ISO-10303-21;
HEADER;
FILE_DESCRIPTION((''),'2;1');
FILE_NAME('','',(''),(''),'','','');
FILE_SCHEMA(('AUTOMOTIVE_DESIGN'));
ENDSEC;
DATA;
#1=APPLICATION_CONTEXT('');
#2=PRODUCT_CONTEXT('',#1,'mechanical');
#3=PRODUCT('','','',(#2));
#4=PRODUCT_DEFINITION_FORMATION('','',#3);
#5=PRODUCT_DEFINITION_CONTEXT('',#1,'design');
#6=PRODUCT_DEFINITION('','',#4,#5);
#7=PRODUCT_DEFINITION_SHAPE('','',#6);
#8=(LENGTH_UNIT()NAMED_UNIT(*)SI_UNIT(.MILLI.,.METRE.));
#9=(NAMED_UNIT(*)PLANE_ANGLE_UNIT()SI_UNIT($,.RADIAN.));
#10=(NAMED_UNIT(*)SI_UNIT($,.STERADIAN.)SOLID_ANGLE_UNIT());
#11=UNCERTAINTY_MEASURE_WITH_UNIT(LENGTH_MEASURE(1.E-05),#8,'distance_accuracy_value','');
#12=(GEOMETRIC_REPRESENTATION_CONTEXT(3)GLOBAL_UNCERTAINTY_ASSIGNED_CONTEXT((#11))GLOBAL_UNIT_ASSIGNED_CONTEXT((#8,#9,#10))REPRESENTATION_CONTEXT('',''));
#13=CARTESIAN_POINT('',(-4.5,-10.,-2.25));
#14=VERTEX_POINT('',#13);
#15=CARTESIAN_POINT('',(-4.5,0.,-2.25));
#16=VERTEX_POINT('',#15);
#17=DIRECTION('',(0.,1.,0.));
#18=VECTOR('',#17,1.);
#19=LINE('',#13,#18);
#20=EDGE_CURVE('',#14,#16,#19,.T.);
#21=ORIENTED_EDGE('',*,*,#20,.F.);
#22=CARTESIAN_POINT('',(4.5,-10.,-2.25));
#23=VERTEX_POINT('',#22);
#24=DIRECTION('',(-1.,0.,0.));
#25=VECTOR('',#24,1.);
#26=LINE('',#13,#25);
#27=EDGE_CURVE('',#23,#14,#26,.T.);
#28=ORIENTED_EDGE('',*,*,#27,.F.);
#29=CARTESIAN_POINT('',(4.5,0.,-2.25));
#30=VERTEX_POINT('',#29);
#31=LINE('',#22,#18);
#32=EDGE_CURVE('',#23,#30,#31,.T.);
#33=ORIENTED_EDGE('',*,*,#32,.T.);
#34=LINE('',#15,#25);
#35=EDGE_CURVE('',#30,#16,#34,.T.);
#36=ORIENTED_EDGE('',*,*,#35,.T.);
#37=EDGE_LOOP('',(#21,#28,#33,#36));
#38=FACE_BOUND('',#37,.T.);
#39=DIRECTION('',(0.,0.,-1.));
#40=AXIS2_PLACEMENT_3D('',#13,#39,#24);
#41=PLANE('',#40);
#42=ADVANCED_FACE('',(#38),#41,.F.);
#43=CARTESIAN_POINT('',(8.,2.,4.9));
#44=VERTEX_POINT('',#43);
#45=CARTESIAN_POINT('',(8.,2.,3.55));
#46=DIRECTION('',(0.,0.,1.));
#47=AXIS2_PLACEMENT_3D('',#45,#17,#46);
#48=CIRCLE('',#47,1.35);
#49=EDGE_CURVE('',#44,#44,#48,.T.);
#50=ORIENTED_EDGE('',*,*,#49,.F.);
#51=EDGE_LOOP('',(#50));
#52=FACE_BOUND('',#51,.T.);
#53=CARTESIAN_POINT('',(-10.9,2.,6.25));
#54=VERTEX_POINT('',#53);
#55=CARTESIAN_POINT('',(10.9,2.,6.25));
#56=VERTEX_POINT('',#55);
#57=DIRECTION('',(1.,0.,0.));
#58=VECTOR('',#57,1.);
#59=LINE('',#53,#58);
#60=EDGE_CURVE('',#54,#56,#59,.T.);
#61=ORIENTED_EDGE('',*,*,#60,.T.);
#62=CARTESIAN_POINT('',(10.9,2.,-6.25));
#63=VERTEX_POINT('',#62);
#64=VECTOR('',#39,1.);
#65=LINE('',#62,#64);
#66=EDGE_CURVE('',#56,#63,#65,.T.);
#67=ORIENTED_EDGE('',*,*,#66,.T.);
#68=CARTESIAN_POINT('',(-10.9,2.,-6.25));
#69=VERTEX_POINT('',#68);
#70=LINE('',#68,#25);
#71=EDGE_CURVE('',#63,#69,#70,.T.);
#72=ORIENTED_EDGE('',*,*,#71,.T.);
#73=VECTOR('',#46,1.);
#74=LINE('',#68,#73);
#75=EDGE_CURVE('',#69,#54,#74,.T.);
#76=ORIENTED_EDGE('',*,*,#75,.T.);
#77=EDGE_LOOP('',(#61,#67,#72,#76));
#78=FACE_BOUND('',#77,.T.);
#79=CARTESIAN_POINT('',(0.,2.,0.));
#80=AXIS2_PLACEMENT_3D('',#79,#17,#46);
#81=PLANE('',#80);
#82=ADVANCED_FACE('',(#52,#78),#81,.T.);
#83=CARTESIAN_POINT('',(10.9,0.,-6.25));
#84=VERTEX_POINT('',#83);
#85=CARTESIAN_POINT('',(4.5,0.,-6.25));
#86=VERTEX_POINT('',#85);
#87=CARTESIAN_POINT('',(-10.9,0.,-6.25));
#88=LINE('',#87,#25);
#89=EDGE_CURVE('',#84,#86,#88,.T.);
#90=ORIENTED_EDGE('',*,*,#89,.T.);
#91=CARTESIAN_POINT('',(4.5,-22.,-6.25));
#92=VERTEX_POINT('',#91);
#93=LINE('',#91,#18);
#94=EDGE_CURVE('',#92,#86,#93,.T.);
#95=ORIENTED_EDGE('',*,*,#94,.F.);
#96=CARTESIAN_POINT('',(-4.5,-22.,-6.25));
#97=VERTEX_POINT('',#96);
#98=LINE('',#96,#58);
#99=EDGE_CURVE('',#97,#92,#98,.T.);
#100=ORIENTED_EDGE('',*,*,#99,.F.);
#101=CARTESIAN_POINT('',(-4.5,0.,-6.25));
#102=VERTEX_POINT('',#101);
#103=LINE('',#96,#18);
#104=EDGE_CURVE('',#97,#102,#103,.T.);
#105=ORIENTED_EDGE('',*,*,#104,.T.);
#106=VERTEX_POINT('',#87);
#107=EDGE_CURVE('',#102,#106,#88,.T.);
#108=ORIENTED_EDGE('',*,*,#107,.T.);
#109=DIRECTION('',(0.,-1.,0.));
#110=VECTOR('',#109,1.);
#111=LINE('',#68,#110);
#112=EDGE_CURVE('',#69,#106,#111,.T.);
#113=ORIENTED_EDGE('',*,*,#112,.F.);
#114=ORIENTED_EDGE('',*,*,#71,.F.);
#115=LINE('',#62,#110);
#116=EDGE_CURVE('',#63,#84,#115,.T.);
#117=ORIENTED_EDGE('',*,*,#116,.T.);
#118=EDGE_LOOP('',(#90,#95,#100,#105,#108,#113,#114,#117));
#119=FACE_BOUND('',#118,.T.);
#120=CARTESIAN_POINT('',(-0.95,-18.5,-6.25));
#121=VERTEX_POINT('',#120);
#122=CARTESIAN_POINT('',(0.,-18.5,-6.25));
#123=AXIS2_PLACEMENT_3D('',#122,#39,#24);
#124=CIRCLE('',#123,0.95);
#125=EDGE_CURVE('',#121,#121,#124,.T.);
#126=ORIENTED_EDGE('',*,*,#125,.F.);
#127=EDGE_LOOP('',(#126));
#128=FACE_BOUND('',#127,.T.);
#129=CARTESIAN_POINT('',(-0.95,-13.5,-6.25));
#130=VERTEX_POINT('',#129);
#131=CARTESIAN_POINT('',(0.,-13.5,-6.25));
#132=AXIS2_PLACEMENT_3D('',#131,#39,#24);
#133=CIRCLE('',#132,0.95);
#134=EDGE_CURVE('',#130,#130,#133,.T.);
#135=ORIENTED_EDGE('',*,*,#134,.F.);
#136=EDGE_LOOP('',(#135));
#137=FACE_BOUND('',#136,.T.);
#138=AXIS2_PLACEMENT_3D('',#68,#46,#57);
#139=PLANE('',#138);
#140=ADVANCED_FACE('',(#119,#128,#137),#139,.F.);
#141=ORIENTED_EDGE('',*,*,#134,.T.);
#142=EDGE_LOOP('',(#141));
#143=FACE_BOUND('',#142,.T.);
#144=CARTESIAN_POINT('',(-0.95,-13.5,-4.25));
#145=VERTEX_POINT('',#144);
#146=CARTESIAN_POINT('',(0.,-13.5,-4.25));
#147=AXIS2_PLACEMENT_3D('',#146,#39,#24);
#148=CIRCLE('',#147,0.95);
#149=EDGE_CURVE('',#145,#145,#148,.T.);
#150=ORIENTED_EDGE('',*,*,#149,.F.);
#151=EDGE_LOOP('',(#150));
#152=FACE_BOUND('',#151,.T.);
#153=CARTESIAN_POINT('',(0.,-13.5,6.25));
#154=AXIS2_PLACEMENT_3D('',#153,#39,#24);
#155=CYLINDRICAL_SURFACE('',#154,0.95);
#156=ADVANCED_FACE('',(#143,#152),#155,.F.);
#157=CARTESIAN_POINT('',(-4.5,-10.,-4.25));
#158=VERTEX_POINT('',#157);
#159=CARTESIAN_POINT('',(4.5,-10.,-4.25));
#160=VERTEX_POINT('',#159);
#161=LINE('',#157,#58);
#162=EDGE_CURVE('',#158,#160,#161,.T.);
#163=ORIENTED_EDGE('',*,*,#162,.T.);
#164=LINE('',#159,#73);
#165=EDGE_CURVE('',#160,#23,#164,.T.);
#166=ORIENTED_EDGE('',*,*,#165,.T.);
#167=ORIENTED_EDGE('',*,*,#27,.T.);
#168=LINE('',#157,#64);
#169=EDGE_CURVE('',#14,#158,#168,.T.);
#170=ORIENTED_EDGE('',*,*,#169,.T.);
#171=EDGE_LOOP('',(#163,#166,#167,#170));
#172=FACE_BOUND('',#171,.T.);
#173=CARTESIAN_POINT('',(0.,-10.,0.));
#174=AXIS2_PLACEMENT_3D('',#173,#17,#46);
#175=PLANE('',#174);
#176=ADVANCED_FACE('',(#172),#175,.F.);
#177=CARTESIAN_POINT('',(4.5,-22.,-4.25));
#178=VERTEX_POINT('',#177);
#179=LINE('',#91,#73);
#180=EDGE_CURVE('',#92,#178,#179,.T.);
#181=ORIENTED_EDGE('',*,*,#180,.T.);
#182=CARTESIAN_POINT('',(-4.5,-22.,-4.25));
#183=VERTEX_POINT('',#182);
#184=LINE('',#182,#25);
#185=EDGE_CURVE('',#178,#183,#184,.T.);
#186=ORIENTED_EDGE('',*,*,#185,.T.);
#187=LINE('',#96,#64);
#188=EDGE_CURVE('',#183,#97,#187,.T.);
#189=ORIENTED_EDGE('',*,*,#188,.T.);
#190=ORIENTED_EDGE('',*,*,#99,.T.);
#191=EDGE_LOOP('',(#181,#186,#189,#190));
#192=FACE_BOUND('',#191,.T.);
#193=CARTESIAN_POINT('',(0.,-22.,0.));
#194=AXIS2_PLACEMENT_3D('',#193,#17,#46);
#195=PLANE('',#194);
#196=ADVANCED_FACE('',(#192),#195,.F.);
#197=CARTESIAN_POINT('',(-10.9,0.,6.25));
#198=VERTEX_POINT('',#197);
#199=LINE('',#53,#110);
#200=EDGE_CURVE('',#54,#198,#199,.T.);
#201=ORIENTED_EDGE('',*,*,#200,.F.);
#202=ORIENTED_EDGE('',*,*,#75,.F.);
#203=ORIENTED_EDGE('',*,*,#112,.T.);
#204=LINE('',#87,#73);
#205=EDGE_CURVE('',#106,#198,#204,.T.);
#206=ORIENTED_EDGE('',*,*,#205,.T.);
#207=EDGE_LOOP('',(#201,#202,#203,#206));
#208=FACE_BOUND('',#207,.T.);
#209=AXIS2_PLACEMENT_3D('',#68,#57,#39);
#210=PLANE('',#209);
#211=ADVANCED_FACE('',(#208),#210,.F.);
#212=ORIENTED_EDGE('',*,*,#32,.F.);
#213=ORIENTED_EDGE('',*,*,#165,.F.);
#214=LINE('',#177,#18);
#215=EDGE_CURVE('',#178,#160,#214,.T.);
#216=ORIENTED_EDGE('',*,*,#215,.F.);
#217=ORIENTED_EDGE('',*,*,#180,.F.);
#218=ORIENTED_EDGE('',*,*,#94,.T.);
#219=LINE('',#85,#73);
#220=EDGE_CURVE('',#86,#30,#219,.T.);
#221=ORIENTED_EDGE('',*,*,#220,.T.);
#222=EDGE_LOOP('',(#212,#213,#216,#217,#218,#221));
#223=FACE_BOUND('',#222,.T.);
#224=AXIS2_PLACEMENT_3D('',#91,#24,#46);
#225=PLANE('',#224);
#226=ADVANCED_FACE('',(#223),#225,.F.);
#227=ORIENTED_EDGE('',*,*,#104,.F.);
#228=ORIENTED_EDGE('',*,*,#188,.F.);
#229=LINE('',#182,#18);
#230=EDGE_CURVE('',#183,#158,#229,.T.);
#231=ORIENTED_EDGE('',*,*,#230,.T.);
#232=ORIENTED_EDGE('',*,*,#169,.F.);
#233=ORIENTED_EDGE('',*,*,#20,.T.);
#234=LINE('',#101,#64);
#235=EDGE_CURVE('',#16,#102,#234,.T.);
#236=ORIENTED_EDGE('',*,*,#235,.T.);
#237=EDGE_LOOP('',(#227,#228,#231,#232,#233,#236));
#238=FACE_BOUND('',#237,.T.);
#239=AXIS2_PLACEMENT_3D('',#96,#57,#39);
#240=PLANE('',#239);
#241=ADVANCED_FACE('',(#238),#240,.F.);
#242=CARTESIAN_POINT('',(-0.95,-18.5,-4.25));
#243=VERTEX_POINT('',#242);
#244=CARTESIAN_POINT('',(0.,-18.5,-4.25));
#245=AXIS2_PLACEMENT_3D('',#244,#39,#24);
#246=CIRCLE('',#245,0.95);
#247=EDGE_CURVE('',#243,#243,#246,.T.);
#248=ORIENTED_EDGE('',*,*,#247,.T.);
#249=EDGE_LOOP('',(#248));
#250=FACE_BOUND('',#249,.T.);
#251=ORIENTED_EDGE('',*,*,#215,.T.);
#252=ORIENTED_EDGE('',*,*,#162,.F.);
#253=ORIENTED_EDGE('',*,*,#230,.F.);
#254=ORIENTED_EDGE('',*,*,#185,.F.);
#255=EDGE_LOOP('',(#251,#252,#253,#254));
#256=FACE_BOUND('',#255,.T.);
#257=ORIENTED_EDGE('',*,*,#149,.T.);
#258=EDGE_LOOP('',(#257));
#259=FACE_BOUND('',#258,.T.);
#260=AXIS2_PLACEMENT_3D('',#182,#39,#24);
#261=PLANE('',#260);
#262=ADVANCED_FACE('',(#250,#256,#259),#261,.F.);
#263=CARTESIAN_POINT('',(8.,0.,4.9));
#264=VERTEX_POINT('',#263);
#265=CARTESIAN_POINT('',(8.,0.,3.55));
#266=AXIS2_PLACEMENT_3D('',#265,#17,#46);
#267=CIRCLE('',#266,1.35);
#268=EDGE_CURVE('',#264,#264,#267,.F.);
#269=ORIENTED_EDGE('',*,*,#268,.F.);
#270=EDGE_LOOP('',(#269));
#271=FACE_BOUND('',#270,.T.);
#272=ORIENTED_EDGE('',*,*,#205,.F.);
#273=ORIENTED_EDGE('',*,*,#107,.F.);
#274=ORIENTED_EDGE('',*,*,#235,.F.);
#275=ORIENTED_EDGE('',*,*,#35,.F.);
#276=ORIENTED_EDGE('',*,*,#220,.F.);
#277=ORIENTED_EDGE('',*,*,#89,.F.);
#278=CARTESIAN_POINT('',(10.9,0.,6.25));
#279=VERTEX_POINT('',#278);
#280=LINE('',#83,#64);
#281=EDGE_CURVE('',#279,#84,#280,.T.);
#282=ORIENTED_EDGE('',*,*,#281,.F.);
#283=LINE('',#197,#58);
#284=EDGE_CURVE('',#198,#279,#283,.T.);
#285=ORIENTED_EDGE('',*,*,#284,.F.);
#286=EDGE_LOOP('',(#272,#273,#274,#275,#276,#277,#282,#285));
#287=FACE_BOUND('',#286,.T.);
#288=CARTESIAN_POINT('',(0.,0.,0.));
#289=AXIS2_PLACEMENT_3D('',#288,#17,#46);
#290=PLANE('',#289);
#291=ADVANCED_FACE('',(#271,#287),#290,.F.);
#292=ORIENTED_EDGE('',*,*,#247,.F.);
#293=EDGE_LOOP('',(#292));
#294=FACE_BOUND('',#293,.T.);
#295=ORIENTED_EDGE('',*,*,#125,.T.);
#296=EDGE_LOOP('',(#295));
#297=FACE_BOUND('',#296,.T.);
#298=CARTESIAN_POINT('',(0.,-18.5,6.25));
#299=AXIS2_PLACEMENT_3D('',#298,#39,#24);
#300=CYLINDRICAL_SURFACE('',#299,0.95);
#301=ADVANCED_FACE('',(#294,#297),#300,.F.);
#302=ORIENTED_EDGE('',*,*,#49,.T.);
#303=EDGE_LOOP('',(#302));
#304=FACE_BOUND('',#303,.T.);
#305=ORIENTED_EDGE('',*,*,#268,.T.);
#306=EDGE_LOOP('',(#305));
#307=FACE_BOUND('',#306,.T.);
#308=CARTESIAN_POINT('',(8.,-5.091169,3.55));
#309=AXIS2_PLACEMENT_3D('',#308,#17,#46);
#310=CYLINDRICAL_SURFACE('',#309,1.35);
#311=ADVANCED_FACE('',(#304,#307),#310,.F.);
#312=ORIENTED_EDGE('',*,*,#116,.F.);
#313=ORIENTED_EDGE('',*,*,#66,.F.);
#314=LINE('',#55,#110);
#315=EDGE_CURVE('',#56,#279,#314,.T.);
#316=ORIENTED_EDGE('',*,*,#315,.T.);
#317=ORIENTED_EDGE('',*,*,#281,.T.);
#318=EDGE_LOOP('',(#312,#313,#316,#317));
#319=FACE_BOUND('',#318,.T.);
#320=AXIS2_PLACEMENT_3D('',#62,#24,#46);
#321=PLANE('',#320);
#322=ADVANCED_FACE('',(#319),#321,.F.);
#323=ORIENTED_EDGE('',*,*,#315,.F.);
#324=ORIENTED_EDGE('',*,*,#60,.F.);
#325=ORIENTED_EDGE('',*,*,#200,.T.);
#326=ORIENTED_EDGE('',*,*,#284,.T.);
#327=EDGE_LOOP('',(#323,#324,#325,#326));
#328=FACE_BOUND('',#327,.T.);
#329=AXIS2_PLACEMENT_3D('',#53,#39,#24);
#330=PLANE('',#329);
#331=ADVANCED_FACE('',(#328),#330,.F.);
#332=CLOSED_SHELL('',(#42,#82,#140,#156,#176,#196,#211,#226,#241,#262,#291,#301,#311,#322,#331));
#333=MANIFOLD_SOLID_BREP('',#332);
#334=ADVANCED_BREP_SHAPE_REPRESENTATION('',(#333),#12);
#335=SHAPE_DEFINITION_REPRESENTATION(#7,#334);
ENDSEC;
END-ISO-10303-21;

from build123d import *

# Parameters (mm, degrees)
SKETCH1_W           = 21.8
SKETCH1_H           = 12.5
BOSS_EXTRUDE1_DEPTH = 2
CUT_EXTRUDE1_REACH  = 4
SKETCH2_R           = 1.8
SKETCH3_W           = 9
SKETCH3_H           = 2
BOSS_EXTRUDE2_DEPTH = 22
SKETCH4_R           = 0.95
CUT_EXTRUDE2_DEPTH  = 13.5
SKETCH5_R           = 1.8
SKETCH5_R_2         = 1.35
BOSS_EXTRUDE3_DEPTH = 2
SKETCH6_W           = 9
SKETCH6_H           = 2
BOSS_EXTRUDE4_DEPTH = 10


with BuildPart() as part:
    # Sketch1 → Boss-Extrude1 (new body)
    with BuildSketch(Plane(origin=(0, 0, 0), x_dir=(1, 0, 0), z_dir=(0, 1, 0))):
        Rectangle(SKETCH1_W, SKETCH1_H)
    extrude(amount=BOSS_EXTRUDE1_DEPTH)

    # Sketch2 → Cut-Extrude1 (cut, up to next)
    with BuildSketch(Plane(origin=(0, 2, 0), x_dir=(1, 0, 0), z_dir=(0, 1, 0)), mode=Mode.PRIVATE) as cut_extrude1_sk1:
        with Locations((8, -3.55)):
            Circle(SKETCH2_R)
    cut_extrude1_tool1 = extrude(cut_extrude1_sk1.sketch, amount=-CUT_EXTRUDE1_REACH, mode=Mode.PRIVATE) & part.part
    add(cut_extrude1_tool1.solids().sort_by_distance((8, 2, 3.55))[0], mode=Mode.SUBTRACT)

    # Sketch3 → Boss-Extrude2 (add)
    with BuildSketch(Plane.XZ):
        with Locations((0, -5.25)):
            Rectangle(SKETCH3_W, SKETCH3_H)
    extrude(amount=BOSS_EXTRUDE2_DEPTH)

    # Sketch4 → Cut-Extrude2 (cut, through all)
    with BuildSketch(Plane(origin=(0, 0, -6.25), x_dir=(-1, 0, 0), z_dir=(0, 0, -1))):
        with Locations((0, -13.5)):
            Circle(SKETCH4_R)
        with Locations((0, -18.5)):
            Circle(SKETCH4_R)
    extrude(amount=-CUT_EXTRUDE2_DEPTH, mode=Mode.SUBTRACT)

    # Sketch5 → Boss-Extrude3 (add)
    with BuildSketch(Plane(origin=(0, 2, 0), x_dir=(1, 0, 0), z_dir=(0, 1, 0))):
        with Locations((8, -3.55)):
            Circle(SKETCH5_R)
        with Locations((8, -3.55)):
            Circle(SKETCH5_R_2, mode=Mode.SUBTRACT)
    extrude(amount=-BOSS_EXTRUDE3_DEPTH)

    # Sketch6 → Boss-Extrude4 (add)
    with BuildSketch(Plane.XZ):
        with Locations((0, -3.25)):
            Rectangle(SKETCH6_W, SKETCH6_H)
    extrude(amount=BOSS_EXTRUDE4_DEPTH)


solid = part.part
